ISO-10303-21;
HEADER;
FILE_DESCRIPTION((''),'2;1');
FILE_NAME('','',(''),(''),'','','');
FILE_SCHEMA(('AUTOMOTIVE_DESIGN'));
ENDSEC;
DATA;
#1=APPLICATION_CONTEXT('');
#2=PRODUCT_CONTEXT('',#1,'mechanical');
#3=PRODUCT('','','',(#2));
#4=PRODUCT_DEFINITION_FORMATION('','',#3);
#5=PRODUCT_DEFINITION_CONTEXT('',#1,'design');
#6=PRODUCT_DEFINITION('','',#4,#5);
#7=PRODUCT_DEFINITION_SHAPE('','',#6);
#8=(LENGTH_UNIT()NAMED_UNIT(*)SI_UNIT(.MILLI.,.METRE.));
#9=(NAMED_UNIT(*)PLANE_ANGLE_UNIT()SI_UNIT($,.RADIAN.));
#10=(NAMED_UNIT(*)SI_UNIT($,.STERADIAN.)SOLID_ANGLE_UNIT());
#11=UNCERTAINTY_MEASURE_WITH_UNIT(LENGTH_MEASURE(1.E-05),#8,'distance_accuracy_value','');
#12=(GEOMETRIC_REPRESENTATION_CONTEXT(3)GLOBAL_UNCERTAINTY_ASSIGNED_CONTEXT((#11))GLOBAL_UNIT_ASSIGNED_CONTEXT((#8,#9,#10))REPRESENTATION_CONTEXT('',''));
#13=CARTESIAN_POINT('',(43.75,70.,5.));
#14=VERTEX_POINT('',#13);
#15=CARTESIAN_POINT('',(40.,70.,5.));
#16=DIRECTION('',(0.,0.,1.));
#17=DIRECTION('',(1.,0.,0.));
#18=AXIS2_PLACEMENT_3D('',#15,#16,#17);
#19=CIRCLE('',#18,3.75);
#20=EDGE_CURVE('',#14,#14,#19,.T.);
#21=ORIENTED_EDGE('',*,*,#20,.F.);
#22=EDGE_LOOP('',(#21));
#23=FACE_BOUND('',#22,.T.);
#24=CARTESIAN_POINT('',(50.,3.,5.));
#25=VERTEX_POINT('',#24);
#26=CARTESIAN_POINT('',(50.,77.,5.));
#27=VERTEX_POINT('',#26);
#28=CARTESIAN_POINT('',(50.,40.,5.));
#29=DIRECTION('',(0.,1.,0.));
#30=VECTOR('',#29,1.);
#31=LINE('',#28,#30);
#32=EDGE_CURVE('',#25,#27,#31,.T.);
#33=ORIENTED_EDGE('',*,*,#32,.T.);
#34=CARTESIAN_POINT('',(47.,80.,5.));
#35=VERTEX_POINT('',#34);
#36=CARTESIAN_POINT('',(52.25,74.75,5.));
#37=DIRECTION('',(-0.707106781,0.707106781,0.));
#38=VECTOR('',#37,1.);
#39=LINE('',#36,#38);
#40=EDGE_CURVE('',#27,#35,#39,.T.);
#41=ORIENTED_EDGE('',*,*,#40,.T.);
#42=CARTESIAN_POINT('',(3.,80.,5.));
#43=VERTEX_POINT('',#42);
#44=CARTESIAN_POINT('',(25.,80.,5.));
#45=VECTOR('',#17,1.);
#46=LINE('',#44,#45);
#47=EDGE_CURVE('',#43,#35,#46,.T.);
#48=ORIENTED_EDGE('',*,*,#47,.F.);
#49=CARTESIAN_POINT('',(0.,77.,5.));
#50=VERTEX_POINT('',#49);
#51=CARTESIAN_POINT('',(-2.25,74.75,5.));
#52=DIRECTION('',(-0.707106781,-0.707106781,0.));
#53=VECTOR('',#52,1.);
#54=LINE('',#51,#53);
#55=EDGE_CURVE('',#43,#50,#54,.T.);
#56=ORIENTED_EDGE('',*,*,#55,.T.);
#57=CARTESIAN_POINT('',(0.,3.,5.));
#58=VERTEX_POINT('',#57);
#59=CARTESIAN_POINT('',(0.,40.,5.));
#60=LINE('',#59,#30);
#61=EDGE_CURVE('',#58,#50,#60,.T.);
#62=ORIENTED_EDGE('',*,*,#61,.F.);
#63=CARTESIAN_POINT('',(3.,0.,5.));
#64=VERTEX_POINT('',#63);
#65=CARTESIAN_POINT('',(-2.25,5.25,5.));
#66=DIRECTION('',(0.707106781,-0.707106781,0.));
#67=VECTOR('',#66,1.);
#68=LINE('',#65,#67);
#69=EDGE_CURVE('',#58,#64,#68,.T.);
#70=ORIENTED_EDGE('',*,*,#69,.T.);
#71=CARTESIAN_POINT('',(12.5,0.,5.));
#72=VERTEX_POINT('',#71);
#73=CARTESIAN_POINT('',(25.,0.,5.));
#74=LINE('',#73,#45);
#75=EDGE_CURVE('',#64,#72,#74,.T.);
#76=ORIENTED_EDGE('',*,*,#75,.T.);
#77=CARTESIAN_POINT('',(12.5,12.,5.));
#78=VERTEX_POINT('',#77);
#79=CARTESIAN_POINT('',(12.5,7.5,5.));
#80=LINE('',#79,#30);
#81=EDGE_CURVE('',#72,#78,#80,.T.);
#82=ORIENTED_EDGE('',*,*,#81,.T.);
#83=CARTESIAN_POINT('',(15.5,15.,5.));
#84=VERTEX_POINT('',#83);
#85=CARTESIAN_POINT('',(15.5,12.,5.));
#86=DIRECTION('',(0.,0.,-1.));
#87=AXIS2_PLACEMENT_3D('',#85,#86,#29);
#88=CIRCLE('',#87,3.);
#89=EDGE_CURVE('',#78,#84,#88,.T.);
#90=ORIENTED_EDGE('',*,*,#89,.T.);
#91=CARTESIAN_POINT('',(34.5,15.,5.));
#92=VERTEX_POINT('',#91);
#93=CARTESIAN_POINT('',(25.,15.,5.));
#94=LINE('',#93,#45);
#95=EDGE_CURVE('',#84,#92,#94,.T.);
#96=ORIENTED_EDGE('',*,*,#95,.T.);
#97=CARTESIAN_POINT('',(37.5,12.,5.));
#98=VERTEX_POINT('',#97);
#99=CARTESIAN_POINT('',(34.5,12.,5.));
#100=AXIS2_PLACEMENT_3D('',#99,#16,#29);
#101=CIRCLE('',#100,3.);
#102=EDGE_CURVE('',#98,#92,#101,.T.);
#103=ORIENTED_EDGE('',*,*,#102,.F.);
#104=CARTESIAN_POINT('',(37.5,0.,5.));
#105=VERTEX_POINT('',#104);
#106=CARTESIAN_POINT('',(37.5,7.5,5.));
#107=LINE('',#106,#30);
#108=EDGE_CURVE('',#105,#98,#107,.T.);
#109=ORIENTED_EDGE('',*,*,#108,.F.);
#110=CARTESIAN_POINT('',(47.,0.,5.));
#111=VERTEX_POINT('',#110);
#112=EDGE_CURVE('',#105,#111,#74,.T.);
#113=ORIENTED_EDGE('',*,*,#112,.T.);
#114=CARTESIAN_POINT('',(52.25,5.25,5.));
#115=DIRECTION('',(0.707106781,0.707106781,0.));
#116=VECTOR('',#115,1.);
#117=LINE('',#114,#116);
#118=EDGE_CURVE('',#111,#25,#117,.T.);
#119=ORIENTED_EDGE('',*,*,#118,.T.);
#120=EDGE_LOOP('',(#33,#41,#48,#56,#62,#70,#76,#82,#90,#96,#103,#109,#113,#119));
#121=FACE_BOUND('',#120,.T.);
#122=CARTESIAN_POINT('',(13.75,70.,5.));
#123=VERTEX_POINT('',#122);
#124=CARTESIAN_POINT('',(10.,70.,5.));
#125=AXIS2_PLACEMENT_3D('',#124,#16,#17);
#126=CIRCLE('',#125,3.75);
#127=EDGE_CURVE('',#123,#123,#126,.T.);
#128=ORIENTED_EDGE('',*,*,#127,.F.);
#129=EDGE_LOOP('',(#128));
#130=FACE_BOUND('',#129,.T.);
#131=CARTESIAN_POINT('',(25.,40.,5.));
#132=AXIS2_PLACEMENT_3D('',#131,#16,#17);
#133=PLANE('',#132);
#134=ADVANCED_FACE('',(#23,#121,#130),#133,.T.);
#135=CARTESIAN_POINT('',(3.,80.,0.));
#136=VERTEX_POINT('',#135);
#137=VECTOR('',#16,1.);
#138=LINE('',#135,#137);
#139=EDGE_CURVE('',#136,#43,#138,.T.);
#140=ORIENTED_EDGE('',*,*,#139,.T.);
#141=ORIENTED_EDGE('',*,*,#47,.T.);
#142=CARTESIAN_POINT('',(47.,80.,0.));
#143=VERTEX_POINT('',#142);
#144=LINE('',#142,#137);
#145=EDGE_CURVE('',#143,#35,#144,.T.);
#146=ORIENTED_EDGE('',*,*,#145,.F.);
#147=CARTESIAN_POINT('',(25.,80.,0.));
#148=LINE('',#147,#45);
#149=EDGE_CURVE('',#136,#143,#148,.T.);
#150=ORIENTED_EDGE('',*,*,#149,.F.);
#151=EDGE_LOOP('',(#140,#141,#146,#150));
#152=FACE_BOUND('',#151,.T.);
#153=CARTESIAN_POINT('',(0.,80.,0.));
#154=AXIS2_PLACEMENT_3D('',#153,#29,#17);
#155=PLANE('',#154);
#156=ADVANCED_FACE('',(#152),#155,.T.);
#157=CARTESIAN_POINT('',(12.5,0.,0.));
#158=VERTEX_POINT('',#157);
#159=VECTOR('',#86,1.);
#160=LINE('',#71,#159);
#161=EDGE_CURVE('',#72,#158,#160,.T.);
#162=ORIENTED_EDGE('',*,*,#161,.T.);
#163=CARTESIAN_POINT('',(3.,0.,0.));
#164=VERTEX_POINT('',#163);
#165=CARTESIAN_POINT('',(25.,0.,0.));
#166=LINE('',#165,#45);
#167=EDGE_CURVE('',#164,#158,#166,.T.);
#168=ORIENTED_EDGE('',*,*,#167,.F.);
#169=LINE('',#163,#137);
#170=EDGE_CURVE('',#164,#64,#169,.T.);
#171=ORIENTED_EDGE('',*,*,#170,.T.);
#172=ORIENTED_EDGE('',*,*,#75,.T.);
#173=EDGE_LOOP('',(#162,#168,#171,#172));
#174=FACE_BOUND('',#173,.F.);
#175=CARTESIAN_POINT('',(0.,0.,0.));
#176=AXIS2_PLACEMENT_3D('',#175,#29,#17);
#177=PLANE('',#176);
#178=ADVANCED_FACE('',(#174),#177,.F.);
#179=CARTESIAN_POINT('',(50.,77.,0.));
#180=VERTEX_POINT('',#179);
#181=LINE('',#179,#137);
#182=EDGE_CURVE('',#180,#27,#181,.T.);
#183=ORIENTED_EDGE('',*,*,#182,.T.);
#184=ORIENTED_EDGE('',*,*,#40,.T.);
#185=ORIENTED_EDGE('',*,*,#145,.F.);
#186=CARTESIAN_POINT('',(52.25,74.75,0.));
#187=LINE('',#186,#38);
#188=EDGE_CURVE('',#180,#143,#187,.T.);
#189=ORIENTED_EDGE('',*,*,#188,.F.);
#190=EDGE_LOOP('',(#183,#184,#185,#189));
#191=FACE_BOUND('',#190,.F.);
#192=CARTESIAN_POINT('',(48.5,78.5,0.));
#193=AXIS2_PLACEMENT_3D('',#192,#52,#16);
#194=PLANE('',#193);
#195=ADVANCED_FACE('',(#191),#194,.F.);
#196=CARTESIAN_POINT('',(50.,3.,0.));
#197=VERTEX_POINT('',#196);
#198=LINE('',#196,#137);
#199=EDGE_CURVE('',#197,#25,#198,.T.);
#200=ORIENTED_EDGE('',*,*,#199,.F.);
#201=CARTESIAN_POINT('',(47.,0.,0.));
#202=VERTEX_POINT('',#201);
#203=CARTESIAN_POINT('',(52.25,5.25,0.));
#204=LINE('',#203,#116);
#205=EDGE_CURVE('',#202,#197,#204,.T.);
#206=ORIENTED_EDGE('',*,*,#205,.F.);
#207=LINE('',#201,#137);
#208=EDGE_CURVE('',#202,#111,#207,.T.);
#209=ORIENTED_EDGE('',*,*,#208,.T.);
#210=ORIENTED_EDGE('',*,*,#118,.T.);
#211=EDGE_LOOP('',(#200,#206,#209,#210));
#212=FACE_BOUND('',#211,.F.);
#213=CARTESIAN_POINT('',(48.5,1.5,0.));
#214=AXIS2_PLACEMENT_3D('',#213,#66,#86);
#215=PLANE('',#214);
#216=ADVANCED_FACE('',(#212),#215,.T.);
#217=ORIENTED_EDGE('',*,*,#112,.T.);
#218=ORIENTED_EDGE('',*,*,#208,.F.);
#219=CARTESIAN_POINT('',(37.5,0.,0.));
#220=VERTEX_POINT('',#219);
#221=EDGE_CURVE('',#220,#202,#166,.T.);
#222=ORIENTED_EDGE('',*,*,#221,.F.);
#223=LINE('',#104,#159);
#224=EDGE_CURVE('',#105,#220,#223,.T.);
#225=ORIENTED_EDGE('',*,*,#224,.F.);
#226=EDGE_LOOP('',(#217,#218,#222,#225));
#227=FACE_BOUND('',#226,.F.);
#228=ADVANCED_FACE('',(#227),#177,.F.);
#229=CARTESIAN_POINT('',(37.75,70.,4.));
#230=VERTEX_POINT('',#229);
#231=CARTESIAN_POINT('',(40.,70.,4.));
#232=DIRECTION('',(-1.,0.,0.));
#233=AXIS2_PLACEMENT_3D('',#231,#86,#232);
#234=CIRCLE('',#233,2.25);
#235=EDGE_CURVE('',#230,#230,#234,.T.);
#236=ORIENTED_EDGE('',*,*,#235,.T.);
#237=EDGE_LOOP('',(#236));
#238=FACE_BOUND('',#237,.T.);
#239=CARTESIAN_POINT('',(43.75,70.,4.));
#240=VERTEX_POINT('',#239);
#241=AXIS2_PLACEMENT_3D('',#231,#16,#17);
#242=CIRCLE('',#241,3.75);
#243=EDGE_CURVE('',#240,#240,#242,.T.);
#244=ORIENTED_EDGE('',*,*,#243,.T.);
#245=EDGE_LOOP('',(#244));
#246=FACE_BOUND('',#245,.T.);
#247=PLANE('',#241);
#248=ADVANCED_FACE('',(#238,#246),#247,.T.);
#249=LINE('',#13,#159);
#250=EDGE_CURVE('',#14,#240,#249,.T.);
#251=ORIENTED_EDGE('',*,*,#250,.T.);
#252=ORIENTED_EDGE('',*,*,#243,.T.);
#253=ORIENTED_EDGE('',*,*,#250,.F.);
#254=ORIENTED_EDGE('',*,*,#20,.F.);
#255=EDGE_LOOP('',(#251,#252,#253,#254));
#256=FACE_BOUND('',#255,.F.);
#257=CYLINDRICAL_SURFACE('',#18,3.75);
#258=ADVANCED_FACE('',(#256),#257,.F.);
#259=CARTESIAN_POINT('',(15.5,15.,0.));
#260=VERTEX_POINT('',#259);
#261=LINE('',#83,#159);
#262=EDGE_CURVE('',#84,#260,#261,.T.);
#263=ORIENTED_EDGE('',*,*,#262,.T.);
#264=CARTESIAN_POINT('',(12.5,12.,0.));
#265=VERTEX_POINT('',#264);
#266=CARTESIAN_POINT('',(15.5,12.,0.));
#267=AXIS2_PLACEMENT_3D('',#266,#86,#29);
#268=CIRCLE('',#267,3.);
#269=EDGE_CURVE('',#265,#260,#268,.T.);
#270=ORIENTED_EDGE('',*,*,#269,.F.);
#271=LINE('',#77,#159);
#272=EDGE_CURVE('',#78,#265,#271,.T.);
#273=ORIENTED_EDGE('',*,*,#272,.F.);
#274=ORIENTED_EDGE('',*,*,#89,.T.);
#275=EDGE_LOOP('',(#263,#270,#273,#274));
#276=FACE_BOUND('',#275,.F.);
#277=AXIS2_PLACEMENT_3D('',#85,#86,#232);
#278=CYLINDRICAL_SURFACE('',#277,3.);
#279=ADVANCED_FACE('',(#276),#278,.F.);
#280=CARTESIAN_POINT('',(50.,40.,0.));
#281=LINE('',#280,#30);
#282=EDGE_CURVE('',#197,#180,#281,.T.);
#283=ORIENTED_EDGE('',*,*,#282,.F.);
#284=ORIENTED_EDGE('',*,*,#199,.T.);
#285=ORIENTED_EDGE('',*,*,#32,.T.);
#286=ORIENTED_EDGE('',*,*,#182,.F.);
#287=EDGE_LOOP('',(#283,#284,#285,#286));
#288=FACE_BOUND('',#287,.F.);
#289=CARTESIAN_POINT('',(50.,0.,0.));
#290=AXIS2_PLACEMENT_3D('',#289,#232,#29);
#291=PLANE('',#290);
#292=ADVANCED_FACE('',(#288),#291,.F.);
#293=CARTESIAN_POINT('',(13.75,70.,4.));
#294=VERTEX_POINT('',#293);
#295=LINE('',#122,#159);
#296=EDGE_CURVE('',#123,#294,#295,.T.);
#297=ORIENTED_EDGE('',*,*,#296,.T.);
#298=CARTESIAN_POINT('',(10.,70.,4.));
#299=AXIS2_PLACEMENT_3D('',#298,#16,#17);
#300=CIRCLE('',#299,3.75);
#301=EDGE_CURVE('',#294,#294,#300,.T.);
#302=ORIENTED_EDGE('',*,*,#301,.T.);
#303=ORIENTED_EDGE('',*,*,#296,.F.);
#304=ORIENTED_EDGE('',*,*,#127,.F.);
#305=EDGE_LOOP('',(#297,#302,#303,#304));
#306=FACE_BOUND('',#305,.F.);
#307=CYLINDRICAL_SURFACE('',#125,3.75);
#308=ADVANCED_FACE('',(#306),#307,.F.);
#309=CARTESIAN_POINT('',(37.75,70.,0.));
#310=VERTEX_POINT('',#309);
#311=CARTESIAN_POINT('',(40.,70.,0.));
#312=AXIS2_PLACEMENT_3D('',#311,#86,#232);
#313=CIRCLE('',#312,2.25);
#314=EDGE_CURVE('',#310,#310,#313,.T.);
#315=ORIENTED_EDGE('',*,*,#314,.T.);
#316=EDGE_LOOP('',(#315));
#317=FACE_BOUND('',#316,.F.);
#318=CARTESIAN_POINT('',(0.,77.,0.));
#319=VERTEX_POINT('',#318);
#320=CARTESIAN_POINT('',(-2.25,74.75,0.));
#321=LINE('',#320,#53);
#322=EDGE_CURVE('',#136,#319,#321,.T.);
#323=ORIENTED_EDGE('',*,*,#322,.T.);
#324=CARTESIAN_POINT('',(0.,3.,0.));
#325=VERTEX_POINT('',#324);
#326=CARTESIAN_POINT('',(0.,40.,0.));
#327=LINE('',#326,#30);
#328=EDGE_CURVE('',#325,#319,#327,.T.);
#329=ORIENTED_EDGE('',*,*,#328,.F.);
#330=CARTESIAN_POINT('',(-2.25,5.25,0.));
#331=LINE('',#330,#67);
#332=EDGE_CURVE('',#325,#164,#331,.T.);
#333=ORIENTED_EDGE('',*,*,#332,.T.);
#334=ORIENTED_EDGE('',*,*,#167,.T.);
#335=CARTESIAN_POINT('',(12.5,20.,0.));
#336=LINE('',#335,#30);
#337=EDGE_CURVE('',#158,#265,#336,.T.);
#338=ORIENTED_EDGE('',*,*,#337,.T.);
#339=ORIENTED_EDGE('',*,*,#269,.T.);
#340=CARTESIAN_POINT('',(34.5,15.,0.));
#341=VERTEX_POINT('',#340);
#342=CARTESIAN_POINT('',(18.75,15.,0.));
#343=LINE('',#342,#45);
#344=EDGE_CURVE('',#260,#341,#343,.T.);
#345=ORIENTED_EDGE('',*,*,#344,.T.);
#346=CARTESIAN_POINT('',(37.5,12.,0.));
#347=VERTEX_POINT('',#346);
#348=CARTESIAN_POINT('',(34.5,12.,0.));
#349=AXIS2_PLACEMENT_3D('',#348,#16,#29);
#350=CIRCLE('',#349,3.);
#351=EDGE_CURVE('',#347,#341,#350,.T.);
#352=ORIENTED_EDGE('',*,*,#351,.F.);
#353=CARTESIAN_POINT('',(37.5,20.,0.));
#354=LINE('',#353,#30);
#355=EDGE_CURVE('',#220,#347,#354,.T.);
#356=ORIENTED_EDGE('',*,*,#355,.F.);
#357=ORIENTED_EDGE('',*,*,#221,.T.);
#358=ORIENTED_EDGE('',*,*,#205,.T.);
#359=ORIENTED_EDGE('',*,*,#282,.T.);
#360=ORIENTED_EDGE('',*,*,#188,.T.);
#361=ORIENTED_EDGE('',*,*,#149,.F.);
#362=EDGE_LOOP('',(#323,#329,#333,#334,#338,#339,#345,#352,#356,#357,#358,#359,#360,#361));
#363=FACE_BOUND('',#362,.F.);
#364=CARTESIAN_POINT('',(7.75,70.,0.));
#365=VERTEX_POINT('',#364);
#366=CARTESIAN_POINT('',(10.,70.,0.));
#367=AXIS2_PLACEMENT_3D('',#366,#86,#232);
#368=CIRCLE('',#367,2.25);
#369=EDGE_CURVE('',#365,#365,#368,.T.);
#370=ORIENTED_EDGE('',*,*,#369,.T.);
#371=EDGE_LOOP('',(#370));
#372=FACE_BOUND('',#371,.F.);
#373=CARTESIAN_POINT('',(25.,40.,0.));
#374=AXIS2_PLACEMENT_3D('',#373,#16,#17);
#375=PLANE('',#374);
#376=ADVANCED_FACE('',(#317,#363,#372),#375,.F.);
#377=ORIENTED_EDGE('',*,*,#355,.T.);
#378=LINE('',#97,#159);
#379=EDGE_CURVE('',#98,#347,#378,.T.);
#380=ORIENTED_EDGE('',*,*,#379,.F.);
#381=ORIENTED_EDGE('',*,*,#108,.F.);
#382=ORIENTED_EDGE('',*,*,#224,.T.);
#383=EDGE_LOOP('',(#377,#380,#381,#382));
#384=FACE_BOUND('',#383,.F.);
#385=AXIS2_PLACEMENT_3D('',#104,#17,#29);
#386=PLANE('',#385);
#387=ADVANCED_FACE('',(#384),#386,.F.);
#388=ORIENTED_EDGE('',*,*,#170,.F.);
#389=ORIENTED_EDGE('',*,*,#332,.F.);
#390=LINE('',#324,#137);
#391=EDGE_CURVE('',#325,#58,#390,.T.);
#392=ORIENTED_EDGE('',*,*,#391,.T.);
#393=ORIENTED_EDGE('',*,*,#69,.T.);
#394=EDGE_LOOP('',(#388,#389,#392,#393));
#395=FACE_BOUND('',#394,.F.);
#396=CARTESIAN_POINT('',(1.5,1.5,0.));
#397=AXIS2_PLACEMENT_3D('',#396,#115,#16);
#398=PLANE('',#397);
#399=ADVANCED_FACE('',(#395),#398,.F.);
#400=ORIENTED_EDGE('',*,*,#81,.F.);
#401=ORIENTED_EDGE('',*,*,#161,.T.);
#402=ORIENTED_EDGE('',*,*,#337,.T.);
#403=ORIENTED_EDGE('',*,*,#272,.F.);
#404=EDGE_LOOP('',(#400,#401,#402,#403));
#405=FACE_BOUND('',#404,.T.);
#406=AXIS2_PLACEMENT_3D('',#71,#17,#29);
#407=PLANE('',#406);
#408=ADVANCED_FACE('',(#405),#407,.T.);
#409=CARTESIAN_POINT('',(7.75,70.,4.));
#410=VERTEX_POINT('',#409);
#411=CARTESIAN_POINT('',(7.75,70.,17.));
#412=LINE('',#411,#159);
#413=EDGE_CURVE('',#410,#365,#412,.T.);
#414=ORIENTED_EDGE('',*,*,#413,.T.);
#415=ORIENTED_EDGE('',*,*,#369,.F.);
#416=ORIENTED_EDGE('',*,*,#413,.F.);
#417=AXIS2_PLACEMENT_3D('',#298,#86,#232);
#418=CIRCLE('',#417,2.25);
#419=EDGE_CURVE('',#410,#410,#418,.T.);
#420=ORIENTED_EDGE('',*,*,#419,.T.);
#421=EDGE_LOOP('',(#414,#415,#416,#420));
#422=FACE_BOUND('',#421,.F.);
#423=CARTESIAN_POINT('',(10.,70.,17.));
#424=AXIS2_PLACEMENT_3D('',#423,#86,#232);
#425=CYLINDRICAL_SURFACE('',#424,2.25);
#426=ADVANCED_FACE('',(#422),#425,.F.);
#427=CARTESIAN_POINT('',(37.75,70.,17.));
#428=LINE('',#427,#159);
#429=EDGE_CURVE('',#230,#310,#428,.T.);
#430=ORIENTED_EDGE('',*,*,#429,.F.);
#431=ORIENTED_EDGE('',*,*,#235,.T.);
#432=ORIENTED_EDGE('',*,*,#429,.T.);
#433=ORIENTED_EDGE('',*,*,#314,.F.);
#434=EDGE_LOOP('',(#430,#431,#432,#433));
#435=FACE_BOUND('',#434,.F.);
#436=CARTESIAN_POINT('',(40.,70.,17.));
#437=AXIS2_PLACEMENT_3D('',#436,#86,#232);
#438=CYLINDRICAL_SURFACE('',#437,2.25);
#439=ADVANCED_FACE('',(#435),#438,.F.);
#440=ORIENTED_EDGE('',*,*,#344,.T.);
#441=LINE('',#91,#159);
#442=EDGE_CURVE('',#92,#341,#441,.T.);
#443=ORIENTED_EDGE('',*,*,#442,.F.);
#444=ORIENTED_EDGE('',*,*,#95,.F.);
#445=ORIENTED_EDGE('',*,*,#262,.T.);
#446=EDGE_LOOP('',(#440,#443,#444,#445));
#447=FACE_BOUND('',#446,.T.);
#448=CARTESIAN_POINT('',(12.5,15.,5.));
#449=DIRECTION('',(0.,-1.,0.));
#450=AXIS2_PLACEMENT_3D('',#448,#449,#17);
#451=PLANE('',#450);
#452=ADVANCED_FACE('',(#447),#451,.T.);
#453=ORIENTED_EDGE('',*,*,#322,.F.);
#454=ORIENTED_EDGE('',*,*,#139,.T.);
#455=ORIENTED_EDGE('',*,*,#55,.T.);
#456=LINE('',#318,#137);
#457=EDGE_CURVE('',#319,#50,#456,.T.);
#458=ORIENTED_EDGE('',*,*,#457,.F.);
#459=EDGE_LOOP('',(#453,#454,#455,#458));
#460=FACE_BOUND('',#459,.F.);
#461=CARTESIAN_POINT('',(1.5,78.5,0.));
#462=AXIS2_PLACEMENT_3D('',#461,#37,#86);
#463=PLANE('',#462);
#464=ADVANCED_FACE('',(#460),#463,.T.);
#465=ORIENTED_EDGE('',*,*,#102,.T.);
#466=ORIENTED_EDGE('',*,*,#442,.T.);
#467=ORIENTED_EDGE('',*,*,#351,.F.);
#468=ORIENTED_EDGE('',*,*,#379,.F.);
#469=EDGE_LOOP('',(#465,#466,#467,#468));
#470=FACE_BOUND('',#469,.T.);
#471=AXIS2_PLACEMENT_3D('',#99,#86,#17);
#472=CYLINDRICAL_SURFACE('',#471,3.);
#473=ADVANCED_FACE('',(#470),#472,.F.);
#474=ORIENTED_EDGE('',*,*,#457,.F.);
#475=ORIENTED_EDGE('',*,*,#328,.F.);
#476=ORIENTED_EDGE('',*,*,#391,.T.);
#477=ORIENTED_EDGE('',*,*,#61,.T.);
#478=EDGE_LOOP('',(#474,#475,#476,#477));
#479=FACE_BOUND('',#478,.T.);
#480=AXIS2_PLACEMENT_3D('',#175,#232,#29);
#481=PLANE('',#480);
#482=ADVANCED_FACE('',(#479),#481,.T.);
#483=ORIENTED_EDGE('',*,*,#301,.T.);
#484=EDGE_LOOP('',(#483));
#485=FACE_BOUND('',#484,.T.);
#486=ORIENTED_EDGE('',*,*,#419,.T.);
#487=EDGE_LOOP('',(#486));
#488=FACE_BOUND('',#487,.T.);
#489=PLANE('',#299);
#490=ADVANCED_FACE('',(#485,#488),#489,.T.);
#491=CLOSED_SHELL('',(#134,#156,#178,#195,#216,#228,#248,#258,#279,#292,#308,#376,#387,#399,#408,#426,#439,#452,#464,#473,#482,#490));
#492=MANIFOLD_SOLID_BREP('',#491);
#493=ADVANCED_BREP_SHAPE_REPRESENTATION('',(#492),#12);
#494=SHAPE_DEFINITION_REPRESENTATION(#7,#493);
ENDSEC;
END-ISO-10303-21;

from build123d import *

# Parameters (mm, degrees)
F0_W     = 50
F0_H     = 80
F1_DEPTH = 5
F2_W     = 25
F2_H     = 15
F3_DEPTH = 25
F4_R     = 3
F6_SIZE  = 3
F7_D     = 4.5
F7_DEPTH = 12
F5_R     = 3.75
F8_DEPTH = 1


with BuildPart() as f1:
    # F0 (on Top) → F1 (new body)
    with BuildSketch(Plane.XY):
        with Locations((25, 40)):
            Rectangle(F0_W, F0_H)
    extrude(amount=F1_DEPTH)

    # F2 (on face) → F3 (cut)
    with BuildSketch(Plane.XY.offset(5)):
        with Locations((25, 7.5)):
            Rectangle(F2_W, F2_H)
    extrude(amount=-F3_DEPTH, mode=Mode.SUBTRACT)

    # F4
    f4_edges = [f1.edges().sort_by_distance(p)[0] for p in [
        (12.5, 15, 2.5),
        (37.5, 15, 2.5),
    ]]
    fillet(f4_edges, radius=F4_R)

    # F6
    f6_edges = [f1.edges().sort_by_distance(p)[0] for p in [
        (0, 80, 2.5),
        (50, 80, 2.5),
        (0, 0, 2.5),
        (50, 0, 2.5),
    ]]
    chamfer(f6_edges, length=F6_SIZE)

    # F7
    with Locations(Plane.XY.offset(5)):
        with Locations((10, 70), (40, 70)):
            Hole(F7_D / 2, depth=F7_DEPTH)

    # F5 (on face) → F8 (cut)
    with BuildSketch(Plane.XY.offset(5)):
        with Locations((10, 70)):
            Circle(F5_R)
        with Locations((40, 70)):
            Circle(F5_R)
    extrude(amount=-F8_DEPTH, mode=Mode.SUBTRACT)


solid = f1.part
